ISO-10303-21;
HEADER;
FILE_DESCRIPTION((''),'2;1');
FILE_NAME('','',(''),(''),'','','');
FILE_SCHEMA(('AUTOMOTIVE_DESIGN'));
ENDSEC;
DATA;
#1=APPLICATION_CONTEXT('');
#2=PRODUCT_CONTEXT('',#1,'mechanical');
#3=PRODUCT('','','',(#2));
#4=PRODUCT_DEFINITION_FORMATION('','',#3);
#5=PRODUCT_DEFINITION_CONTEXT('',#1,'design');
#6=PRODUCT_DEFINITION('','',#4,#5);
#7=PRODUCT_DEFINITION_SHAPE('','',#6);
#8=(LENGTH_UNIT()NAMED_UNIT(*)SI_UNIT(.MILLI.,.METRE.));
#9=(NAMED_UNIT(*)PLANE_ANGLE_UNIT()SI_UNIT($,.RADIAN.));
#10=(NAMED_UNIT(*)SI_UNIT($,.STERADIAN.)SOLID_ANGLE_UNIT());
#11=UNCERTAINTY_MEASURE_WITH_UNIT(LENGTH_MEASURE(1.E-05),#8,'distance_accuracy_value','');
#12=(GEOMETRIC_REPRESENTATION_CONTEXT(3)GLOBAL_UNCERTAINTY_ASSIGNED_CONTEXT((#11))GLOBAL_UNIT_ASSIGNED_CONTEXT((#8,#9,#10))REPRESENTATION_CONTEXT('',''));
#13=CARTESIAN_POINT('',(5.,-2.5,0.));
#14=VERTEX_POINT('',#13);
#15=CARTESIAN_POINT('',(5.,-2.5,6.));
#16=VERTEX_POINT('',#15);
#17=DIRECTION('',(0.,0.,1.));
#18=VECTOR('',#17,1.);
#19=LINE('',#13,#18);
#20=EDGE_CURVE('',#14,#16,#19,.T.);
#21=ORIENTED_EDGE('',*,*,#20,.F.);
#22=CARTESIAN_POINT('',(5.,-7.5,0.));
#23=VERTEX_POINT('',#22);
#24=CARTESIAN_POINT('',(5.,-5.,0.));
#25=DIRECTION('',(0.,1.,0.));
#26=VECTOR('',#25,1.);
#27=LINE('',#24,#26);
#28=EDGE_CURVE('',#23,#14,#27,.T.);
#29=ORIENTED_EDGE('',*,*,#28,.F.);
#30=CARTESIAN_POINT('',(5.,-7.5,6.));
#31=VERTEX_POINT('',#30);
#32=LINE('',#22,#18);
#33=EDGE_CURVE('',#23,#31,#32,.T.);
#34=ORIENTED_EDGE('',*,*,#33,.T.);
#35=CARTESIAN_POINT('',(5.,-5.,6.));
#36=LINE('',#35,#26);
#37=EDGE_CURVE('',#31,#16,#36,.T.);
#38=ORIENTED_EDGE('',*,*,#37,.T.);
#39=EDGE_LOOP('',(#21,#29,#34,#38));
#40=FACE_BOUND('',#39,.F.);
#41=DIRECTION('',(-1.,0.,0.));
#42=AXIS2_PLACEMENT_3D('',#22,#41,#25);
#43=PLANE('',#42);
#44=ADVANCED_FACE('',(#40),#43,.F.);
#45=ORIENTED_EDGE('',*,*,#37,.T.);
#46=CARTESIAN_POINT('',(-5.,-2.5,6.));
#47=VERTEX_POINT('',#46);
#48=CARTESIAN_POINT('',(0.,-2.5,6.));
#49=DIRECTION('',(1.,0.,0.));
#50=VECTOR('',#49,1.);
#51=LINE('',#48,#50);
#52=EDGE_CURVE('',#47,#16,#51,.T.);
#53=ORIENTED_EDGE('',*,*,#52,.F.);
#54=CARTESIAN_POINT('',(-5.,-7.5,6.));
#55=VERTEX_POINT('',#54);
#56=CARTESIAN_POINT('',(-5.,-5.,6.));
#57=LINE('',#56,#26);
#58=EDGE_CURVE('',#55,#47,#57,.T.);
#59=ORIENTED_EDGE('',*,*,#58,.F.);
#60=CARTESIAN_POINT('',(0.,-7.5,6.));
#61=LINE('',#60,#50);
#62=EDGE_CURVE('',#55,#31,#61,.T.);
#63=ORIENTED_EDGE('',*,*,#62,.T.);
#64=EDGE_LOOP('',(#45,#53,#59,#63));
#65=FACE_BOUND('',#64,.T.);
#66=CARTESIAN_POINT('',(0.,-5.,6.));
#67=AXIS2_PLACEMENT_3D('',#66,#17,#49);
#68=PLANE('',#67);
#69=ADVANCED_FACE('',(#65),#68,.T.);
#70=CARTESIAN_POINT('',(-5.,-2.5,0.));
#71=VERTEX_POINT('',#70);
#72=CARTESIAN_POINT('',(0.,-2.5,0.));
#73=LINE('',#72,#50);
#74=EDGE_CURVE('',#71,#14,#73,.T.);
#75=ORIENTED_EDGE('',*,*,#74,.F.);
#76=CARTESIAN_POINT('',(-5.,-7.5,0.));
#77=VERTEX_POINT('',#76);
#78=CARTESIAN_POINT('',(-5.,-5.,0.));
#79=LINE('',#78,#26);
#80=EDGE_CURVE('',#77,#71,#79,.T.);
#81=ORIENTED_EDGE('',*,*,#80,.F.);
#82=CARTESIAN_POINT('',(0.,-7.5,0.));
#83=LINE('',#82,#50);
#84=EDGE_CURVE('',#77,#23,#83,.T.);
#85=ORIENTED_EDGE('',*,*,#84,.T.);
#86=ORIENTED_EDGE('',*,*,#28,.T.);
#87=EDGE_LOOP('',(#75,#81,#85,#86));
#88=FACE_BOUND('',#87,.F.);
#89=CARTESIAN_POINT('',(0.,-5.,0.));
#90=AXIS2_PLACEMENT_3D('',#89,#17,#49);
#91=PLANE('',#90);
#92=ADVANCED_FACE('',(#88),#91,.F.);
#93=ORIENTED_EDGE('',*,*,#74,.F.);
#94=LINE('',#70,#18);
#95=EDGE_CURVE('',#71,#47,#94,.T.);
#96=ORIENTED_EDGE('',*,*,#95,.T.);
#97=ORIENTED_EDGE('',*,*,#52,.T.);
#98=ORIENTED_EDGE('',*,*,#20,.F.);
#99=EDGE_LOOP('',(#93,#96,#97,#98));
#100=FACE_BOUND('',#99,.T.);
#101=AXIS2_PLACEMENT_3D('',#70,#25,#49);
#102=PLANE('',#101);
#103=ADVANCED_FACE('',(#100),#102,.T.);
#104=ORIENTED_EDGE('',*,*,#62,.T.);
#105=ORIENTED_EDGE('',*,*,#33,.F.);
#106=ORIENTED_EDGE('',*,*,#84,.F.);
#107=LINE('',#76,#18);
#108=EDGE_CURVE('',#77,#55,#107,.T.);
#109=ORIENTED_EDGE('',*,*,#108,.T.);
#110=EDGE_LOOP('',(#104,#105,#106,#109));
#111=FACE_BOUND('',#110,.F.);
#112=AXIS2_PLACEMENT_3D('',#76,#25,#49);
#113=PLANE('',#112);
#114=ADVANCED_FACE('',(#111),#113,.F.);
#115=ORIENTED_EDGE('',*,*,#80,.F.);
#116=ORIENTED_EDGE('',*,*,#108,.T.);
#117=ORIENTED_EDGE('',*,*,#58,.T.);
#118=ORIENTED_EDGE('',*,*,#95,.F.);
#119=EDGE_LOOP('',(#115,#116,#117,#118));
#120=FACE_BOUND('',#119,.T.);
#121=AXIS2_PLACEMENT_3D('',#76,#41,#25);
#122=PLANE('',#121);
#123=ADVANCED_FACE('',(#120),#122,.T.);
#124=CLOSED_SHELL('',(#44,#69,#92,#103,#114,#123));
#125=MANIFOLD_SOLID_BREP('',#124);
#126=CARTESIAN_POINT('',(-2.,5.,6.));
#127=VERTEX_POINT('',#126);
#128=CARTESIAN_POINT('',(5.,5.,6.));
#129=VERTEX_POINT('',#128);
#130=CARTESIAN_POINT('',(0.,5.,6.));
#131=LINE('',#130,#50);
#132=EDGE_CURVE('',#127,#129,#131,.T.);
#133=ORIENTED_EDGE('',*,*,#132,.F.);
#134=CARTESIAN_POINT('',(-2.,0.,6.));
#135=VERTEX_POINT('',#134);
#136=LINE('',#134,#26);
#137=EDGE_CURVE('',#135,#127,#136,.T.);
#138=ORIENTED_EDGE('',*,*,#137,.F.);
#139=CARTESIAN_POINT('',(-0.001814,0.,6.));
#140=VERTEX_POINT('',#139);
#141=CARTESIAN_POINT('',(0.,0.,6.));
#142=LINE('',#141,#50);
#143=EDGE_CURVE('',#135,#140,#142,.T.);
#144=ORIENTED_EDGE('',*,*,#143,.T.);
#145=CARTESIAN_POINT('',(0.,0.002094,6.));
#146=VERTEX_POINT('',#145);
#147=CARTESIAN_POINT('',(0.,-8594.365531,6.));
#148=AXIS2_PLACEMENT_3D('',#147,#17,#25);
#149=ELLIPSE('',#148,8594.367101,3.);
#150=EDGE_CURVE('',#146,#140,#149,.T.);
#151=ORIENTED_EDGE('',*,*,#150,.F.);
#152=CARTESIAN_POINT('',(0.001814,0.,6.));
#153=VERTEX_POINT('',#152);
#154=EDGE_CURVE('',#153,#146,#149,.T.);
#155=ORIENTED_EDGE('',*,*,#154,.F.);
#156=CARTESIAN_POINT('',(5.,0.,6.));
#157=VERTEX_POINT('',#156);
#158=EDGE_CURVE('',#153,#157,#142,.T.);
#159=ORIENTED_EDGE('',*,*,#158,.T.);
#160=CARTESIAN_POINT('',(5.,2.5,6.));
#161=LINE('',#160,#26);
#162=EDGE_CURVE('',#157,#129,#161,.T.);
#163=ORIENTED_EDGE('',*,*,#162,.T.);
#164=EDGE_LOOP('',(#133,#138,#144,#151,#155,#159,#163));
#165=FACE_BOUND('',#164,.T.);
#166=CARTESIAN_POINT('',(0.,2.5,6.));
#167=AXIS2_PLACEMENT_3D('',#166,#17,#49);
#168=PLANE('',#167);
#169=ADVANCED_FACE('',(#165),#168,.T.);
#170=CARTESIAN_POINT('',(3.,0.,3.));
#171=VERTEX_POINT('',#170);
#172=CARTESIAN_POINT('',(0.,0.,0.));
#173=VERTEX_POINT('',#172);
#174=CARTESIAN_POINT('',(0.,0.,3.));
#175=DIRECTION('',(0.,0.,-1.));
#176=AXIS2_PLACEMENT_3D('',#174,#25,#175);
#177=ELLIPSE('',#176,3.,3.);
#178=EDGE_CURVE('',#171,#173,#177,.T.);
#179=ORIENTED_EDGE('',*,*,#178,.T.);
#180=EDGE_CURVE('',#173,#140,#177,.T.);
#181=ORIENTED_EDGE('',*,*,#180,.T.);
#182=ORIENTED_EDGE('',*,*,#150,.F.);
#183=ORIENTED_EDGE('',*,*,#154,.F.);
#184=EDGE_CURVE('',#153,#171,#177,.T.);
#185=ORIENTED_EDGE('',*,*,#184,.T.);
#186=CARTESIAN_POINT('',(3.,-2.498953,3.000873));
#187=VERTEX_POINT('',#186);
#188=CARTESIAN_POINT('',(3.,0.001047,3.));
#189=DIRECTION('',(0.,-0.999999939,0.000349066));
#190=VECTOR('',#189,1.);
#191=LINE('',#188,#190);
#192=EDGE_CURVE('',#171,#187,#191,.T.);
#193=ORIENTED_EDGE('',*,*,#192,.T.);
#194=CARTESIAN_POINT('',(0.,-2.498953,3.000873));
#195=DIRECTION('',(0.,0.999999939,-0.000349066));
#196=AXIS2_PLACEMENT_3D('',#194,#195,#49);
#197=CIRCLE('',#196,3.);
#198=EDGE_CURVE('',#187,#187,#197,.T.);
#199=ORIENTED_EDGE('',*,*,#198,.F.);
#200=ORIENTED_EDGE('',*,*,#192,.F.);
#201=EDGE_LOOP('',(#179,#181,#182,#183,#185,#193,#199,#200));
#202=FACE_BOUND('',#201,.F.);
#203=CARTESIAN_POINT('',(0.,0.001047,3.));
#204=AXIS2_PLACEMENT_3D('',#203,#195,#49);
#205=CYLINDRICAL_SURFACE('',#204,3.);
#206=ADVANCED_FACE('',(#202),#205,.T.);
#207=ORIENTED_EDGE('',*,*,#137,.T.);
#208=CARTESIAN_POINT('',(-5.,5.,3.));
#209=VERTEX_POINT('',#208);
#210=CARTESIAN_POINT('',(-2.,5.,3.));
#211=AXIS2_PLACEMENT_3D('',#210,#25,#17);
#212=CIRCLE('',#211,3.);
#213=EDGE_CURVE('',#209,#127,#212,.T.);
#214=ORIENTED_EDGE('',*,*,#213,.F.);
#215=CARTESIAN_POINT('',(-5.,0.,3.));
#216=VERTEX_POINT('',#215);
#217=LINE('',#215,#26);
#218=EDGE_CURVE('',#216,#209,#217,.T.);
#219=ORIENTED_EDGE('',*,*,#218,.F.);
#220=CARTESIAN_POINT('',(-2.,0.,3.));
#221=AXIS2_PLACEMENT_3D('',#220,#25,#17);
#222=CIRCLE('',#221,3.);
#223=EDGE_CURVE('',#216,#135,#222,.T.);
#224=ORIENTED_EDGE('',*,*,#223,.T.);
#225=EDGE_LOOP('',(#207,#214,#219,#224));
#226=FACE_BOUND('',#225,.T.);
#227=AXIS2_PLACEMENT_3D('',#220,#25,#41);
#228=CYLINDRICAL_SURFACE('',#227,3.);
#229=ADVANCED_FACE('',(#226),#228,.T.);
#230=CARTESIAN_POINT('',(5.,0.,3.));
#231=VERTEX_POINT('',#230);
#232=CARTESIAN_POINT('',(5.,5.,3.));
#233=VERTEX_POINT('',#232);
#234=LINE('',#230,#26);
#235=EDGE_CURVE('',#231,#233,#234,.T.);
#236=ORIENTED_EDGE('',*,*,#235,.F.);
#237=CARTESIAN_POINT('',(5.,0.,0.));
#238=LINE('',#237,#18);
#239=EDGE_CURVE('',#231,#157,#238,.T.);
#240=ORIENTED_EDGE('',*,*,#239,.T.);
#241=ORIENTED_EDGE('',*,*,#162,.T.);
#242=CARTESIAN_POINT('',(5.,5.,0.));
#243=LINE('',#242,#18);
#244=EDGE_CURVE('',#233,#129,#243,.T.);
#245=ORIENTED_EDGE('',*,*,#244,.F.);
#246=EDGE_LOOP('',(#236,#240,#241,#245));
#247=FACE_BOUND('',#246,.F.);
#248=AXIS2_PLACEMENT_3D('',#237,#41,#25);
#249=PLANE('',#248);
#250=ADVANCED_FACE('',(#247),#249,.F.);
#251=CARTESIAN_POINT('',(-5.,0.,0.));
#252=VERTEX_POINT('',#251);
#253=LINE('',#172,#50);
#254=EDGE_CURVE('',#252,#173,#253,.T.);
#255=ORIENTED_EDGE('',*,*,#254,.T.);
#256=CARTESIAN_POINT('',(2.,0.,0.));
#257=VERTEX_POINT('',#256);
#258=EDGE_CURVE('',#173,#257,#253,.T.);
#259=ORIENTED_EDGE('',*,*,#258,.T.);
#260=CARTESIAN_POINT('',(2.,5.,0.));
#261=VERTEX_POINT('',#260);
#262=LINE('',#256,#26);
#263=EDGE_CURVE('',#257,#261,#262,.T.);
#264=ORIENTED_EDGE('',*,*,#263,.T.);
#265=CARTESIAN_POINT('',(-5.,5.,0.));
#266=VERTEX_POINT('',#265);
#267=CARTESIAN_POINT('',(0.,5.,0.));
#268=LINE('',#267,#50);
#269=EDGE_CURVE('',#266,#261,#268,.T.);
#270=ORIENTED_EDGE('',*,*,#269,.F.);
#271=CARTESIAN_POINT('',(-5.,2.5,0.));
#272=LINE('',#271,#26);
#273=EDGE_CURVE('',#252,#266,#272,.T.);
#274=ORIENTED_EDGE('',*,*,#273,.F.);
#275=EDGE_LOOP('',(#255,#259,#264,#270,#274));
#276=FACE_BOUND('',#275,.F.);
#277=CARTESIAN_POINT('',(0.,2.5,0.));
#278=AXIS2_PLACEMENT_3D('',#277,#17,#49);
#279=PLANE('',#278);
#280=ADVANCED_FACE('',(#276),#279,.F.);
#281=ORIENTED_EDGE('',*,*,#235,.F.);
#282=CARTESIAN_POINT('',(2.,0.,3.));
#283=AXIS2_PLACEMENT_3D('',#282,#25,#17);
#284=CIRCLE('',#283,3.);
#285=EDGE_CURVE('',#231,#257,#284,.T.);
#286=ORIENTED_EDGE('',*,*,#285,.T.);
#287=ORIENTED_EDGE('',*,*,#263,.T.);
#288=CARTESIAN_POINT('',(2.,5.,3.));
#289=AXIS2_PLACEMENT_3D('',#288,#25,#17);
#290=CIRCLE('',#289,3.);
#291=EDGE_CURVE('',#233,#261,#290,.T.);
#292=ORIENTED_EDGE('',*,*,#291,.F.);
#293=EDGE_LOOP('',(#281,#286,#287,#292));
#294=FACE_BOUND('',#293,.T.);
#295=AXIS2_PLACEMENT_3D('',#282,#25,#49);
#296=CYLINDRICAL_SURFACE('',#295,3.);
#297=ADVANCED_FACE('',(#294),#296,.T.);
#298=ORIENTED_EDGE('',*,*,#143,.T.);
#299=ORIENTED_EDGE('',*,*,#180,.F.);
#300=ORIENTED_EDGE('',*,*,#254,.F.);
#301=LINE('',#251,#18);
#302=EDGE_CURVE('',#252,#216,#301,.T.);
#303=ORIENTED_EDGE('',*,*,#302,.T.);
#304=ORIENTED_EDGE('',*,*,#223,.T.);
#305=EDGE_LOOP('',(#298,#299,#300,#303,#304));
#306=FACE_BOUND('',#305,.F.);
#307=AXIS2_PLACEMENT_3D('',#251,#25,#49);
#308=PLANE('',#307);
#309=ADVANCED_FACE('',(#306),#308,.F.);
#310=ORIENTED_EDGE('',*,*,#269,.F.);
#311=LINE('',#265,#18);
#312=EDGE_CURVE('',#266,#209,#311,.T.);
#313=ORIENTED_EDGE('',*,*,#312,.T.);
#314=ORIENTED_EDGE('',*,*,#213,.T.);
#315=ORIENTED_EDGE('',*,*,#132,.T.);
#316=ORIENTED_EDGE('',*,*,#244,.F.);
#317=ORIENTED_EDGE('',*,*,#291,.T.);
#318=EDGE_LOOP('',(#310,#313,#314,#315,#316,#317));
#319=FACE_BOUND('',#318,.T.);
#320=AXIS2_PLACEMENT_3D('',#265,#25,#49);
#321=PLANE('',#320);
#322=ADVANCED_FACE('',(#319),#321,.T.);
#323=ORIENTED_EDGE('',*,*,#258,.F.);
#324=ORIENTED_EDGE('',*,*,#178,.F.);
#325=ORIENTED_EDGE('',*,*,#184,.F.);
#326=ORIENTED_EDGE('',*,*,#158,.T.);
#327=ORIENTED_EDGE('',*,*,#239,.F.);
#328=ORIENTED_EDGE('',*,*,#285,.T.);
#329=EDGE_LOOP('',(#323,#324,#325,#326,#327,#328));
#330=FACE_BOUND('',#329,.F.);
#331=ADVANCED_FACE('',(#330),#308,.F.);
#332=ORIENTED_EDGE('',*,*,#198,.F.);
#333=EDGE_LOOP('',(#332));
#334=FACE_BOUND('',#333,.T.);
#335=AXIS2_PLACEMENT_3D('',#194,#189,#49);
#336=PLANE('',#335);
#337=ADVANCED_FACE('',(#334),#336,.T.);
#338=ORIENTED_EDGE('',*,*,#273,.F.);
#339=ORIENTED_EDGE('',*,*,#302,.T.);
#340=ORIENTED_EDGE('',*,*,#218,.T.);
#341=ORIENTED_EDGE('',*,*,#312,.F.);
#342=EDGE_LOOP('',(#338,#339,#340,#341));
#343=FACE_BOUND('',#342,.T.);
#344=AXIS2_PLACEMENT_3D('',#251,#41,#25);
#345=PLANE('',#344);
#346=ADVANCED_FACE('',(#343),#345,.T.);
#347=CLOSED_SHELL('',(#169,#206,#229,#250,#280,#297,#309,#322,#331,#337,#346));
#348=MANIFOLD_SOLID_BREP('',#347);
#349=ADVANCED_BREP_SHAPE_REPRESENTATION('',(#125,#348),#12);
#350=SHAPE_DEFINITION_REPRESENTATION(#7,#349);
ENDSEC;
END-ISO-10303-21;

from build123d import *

# Parameters (mm, degrees)
BOX001_W                 = 10
BOX001_H                 = 5
BOX001_DEPTH             = 6
CYLINDER_R               = 3
CYLINDER_DEPTH           = 2.5
CYLINDER_PLACEMENT_ANGLE = 89.98
BOX_W                    = 10
BOX_H                    = 5
BOX_DEPTH                = 6
FILLET_R                 = 3


with BuildPart() as cube001:
    # Box001 → Box001 (new body)
    with BuildSketch(Plane(origin=(-5, -7.5, 0), x_dir=(1, 0, 0), z_dir=(0, 0, 1))):
        with Locations((5, 2.5)):
            Rectangle(BOX001_W, BOX001_H)
    extrude(amount=BOX001_DEPTH)


with BuildPart() as cylinder:
    # Cylinder → Cylinder (new body)
    with BuildSketch(Plane.XY):
        Circle(CYLINDER_R)
    extrude(amount=CYLINDER_DEPTH)


with BuildPart() as cylinder_1:
    # Cylinder placement: moved
    add(cylinder.part.moved(Location((0, 0.001047, 3))).rotate(Axis((0, 0.001047, 3), (1, 0, 0)), CYLINDER_PLACEMENT_ANGLE))


with BuildPart() as fusion:
    # Box → Box (new body)
    with BuildSketch(Plane(origin=(-5, 0, 0), x_dir=(1, 0, 0), z_dir=(0, 0, 1))):
        with Locations((5, 2.5)):
            Rectangle(BOX_W, BOX_H)
    extrude(amount=BOX_DEPTH)

    # Fillet
    fillet_edges = [fusion.edges().sort_by_distance(p)[0] for p in [
        (-5, 2.5, 6),
        (5, 2.5, 0),
    ]]
    fillet(fillet_edges, radius=FILLET_R)

    # Fusion: union Cube001, Cylinder
    add(cube001.part)
    add(cylinder_1.part)


solid = fusion.part
